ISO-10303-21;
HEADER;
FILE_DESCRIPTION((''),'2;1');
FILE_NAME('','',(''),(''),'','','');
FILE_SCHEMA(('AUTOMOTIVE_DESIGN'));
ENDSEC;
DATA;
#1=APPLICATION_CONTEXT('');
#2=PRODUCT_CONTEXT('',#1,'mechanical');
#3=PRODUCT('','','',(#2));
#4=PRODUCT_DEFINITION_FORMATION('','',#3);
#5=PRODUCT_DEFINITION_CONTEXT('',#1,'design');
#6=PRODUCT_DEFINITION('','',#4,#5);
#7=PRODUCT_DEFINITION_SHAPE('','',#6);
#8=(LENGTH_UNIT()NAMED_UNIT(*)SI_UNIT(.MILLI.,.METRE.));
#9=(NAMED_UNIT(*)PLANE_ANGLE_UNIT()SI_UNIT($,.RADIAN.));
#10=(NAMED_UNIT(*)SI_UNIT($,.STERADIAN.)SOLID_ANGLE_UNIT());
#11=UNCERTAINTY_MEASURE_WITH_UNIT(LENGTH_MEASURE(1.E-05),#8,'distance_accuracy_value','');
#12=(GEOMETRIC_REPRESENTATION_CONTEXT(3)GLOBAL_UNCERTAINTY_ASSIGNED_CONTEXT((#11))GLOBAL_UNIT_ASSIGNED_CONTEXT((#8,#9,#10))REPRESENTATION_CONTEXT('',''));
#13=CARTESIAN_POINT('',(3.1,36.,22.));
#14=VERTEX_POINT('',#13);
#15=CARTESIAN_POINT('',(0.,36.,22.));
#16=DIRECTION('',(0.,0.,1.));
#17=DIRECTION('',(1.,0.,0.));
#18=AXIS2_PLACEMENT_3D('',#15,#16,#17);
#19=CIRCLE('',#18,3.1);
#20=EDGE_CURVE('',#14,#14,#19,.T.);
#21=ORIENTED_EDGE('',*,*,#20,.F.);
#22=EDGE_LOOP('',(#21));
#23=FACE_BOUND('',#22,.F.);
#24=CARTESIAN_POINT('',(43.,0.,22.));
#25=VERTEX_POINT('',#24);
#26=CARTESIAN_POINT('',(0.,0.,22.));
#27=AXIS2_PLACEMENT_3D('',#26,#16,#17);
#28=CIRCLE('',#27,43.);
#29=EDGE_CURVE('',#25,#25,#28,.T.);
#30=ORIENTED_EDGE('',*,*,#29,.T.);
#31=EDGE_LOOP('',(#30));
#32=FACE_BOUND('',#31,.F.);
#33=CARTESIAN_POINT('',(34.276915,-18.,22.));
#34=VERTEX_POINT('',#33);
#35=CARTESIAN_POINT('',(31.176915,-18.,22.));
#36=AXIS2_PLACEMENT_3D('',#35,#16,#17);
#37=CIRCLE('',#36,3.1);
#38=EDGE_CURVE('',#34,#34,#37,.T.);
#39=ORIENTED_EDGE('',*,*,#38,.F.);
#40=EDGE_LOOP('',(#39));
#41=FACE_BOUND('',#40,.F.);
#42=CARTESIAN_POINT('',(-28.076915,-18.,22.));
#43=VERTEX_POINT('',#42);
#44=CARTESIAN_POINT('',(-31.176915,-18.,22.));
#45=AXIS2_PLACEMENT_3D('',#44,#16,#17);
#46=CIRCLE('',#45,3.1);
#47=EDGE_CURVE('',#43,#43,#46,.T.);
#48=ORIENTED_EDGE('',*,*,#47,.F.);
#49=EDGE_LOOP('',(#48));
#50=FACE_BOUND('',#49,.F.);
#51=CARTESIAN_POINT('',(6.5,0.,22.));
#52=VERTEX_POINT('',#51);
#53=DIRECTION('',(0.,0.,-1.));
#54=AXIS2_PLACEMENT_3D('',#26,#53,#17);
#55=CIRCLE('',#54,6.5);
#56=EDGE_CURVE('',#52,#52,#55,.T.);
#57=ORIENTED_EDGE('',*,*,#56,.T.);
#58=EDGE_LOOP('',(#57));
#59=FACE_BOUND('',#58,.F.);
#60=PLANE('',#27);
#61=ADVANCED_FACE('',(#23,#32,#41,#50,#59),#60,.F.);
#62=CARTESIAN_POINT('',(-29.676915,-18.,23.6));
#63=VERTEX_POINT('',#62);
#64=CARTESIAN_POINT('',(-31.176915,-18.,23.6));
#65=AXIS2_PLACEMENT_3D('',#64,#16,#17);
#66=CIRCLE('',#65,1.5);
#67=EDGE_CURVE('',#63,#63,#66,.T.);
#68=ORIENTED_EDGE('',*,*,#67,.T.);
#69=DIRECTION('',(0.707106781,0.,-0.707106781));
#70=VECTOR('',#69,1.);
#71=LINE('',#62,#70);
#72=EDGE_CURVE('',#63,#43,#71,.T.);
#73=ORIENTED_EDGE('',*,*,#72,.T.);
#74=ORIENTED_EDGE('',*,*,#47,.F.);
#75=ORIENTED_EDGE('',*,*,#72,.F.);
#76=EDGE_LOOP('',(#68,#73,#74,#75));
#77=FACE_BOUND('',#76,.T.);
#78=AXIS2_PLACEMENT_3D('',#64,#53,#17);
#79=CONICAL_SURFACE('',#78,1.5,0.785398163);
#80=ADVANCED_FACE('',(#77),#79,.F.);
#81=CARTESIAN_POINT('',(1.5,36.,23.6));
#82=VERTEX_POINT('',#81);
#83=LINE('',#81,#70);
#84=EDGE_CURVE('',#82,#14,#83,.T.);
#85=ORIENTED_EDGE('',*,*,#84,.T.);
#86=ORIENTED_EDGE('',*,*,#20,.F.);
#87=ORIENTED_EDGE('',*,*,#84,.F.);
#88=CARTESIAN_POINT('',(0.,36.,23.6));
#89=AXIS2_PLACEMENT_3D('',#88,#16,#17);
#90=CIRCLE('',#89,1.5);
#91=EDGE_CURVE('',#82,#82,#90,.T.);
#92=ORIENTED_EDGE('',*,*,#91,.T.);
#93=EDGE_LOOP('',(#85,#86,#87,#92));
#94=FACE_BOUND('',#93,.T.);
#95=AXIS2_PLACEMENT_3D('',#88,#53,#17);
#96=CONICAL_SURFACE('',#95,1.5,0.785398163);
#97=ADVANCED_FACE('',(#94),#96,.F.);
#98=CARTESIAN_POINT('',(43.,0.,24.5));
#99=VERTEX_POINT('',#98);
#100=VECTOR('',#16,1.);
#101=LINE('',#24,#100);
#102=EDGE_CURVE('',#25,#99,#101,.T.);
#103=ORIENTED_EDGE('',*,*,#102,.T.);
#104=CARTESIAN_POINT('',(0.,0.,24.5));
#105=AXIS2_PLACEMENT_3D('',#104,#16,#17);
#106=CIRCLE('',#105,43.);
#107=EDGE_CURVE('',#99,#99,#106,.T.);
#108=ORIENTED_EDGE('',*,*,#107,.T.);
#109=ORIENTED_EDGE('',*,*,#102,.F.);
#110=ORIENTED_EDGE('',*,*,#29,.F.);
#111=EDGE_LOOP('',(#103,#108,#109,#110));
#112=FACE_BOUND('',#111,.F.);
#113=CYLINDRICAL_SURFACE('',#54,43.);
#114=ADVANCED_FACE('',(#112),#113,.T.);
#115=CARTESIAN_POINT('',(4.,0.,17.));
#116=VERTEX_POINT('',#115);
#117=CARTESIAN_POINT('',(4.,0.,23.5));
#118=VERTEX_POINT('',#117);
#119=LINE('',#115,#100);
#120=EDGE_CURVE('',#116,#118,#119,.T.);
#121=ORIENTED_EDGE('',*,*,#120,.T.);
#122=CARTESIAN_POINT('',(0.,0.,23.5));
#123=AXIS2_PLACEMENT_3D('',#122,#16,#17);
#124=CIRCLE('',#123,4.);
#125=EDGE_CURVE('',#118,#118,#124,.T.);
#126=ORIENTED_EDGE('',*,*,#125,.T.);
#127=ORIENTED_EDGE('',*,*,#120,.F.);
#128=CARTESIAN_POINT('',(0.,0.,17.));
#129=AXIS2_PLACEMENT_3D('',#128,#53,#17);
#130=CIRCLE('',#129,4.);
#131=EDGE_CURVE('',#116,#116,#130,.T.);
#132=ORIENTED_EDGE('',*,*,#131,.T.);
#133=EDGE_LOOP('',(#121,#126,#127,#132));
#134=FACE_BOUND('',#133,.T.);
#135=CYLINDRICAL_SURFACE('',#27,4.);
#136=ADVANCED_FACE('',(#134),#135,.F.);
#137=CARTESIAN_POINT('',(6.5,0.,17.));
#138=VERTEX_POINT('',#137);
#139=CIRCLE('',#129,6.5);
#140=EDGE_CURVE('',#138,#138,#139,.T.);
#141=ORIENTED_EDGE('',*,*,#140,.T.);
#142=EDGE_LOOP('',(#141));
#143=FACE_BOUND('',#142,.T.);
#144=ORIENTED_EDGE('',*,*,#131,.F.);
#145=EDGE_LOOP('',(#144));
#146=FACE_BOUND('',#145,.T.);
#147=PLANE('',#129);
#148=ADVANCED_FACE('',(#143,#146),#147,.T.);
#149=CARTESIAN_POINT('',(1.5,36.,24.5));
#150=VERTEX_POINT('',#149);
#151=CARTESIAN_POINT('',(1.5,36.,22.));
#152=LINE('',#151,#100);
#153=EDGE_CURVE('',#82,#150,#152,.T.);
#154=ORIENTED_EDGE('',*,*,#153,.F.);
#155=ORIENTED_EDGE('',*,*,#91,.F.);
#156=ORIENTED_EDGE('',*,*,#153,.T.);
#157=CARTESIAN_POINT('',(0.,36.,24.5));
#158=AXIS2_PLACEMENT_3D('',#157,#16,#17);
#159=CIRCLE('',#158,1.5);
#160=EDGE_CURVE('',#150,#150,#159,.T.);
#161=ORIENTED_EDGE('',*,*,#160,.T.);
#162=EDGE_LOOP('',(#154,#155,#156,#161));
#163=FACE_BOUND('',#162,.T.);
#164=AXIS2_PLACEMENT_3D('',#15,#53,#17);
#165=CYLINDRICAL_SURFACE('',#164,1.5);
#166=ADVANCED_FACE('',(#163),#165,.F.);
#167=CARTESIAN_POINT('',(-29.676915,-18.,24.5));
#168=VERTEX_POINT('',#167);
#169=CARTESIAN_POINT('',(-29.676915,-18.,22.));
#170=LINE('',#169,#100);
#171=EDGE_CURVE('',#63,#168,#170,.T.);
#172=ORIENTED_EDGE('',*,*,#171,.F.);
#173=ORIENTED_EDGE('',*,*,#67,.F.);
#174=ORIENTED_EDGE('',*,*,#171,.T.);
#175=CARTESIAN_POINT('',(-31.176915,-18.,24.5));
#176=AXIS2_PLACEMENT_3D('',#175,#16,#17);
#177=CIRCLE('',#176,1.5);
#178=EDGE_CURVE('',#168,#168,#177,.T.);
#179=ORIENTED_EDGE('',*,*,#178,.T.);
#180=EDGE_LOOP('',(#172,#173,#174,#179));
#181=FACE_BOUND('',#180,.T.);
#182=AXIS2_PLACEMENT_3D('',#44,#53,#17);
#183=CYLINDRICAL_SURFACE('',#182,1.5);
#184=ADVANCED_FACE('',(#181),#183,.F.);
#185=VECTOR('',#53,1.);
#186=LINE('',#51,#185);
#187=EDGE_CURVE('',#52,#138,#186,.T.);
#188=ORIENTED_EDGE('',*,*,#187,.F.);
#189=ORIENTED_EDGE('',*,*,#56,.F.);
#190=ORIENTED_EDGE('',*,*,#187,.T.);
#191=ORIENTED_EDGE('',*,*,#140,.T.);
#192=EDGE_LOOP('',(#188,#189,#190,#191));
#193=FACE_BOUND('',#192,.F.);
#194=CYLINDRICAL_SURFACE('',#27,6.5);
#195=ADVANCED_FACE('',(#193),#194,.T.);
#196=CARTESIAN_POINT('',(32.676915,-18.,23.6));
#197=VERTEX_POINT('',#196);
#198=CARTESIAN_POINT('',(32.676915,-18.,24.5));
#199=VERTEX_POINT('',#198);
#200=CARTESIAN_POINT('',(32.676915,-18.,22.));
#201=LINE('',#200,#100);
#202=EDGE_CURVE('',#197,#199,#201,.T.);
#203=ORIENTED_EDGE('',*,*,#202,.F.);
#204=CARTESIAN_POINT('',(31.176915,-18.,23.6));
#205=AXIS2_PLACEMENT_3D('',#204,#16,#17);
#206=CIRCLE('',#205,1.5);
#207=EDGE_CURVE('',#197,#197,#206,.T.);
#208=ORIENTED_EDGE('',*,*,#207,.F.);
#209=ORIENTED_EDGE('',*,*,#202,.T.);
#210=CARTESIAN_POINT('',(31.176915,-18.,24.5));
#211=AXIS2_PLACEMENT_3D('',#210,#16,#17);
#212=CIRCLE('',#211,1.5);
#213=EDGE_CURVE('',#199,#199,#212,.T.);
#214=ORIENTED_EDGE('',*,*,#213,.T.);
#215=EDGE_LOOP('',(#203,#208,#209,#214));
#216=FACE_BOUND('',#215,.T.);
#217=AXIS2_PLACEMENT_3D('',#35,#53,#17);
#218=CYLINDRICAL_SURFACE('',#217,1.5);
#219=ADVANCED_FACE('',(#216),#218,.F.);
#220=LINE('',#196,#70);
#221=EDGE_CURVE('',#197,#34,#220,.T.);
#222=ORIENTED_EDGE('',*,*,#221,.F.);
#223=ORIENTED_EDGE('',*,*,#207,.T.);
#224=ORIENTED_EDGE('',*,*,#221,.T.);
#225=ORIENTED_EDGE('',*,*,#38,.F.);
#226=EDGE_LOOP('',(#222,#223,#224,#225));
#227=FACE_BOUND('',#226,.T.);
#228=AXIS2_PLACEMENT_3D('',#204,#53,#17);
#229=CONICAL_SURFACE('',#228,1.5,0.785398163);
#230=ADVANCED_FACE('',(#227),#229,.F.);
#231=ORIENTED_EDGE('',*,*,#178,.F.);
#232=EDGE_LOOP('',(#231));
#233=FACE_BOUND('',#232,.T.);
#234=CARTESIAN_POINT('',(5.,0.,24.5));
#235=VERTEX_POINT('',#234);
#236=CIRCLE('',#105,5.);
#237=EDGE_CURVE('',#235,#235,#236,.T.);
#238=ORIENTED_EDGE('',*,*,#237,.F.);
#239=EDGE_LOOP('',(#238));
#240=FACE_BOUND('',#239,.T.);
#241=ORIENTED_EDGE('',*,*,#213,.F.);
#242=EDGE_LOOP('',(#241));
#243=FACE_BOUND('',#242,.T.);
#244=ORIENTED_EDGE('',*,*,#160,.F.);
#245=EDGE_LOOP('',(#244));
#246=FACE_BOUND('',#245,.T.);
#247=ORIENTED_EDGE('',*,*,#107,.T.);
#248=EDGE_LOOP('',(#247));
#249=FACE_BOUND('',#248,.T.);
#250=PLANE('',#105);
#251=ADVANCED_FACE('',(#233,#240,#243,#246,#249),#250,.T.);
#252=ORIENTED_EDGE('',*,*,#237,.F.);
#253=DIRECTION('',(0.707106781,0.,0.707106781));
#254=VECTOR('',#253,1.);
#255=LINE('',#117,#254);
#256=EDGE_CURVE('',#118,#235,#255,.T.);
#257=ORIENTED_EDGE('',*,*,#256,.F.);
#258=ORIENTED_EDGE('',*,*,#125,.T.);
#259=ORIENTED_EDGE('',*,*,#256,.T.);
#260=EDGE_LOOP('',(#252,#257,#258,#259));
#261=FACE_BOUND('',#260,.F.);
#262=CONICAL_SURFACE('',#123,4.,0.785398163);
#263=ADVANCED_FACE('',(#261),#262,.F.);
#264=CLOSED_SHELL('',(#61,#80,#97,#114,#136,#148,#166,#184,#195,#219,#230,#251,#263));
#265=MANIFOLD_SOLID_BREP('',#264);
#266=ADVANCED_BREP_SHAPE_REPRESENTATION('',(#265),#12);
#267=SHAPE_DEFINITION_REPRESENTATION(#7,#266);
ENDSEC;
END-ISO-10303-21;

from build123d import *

# Parameters (mm, degrees)
SKETCH006_R     = 43
SKETCH006_R_2   = 1.5
SKETCH006_R_3   = 4
PAD_DEPTH       = 2.5
CHAMFER001_SIZE = 1.6
SKETCH_R        = 6.5
SKETCH_R_2      = 4
PAD001_DEPTH    = 5
CHAMFER_SIZE    = 1


with BuildPart() as part:
    # Sketch006 → Pad (new body)
    with BuildSketch(Plane.XY.offset(22)):
        Circle(SKETCH006_R)
        with Locations((0, 36)):
            Circle(SKETCH006_R_2, mode=Mode.SUBTRACT)
        with Locations((31.176915, -18)):
            Circle(SKETCH006_R_2, mode=Mode.SUBTRACT)
        with Locations((-31.176915, -18)):
            Circle(SKETCH006_R_2, mode=Mode.SUBTRACT)
        Circle(SKETCH006_R_3, mode=Mode.SUBTRACT)
    extrude(amount=PAD_DEPTH)

    # Chamfer001
    chamfer001_edges = [part.edges().sort_by_distance(p)[0] for p in [
        (-32.676915, -18, 22),
        (29.676915, -18, 22),
        (-1.5, 36, 22),
    ]]
    chamfer(chamfer001_edges, length=CHAMFER001_SIZE)

    # Sketch (on Face4 of Chamfer001) → Pad001 (join)
    with BuildSketch(Plane(origin=(0, 0, 22), x_dir=(1, 0, 0), z_dir=(0, 0, -1))):
        Circle(SKETCH_R)
        Circle(SKETCH_R_2, mode=Mode.SUBTRACT)
    extrude(amount=PAD001_DEPTH)

    # Chamfer
    chamfer_edges = [part.edges().sort_by_distance(p)[0] for p in [
        (-4, 0, 24.5),
    ]]
    chamfer(chamfer_edges, length=CHAMFER_SIZE)


solid = part.part
